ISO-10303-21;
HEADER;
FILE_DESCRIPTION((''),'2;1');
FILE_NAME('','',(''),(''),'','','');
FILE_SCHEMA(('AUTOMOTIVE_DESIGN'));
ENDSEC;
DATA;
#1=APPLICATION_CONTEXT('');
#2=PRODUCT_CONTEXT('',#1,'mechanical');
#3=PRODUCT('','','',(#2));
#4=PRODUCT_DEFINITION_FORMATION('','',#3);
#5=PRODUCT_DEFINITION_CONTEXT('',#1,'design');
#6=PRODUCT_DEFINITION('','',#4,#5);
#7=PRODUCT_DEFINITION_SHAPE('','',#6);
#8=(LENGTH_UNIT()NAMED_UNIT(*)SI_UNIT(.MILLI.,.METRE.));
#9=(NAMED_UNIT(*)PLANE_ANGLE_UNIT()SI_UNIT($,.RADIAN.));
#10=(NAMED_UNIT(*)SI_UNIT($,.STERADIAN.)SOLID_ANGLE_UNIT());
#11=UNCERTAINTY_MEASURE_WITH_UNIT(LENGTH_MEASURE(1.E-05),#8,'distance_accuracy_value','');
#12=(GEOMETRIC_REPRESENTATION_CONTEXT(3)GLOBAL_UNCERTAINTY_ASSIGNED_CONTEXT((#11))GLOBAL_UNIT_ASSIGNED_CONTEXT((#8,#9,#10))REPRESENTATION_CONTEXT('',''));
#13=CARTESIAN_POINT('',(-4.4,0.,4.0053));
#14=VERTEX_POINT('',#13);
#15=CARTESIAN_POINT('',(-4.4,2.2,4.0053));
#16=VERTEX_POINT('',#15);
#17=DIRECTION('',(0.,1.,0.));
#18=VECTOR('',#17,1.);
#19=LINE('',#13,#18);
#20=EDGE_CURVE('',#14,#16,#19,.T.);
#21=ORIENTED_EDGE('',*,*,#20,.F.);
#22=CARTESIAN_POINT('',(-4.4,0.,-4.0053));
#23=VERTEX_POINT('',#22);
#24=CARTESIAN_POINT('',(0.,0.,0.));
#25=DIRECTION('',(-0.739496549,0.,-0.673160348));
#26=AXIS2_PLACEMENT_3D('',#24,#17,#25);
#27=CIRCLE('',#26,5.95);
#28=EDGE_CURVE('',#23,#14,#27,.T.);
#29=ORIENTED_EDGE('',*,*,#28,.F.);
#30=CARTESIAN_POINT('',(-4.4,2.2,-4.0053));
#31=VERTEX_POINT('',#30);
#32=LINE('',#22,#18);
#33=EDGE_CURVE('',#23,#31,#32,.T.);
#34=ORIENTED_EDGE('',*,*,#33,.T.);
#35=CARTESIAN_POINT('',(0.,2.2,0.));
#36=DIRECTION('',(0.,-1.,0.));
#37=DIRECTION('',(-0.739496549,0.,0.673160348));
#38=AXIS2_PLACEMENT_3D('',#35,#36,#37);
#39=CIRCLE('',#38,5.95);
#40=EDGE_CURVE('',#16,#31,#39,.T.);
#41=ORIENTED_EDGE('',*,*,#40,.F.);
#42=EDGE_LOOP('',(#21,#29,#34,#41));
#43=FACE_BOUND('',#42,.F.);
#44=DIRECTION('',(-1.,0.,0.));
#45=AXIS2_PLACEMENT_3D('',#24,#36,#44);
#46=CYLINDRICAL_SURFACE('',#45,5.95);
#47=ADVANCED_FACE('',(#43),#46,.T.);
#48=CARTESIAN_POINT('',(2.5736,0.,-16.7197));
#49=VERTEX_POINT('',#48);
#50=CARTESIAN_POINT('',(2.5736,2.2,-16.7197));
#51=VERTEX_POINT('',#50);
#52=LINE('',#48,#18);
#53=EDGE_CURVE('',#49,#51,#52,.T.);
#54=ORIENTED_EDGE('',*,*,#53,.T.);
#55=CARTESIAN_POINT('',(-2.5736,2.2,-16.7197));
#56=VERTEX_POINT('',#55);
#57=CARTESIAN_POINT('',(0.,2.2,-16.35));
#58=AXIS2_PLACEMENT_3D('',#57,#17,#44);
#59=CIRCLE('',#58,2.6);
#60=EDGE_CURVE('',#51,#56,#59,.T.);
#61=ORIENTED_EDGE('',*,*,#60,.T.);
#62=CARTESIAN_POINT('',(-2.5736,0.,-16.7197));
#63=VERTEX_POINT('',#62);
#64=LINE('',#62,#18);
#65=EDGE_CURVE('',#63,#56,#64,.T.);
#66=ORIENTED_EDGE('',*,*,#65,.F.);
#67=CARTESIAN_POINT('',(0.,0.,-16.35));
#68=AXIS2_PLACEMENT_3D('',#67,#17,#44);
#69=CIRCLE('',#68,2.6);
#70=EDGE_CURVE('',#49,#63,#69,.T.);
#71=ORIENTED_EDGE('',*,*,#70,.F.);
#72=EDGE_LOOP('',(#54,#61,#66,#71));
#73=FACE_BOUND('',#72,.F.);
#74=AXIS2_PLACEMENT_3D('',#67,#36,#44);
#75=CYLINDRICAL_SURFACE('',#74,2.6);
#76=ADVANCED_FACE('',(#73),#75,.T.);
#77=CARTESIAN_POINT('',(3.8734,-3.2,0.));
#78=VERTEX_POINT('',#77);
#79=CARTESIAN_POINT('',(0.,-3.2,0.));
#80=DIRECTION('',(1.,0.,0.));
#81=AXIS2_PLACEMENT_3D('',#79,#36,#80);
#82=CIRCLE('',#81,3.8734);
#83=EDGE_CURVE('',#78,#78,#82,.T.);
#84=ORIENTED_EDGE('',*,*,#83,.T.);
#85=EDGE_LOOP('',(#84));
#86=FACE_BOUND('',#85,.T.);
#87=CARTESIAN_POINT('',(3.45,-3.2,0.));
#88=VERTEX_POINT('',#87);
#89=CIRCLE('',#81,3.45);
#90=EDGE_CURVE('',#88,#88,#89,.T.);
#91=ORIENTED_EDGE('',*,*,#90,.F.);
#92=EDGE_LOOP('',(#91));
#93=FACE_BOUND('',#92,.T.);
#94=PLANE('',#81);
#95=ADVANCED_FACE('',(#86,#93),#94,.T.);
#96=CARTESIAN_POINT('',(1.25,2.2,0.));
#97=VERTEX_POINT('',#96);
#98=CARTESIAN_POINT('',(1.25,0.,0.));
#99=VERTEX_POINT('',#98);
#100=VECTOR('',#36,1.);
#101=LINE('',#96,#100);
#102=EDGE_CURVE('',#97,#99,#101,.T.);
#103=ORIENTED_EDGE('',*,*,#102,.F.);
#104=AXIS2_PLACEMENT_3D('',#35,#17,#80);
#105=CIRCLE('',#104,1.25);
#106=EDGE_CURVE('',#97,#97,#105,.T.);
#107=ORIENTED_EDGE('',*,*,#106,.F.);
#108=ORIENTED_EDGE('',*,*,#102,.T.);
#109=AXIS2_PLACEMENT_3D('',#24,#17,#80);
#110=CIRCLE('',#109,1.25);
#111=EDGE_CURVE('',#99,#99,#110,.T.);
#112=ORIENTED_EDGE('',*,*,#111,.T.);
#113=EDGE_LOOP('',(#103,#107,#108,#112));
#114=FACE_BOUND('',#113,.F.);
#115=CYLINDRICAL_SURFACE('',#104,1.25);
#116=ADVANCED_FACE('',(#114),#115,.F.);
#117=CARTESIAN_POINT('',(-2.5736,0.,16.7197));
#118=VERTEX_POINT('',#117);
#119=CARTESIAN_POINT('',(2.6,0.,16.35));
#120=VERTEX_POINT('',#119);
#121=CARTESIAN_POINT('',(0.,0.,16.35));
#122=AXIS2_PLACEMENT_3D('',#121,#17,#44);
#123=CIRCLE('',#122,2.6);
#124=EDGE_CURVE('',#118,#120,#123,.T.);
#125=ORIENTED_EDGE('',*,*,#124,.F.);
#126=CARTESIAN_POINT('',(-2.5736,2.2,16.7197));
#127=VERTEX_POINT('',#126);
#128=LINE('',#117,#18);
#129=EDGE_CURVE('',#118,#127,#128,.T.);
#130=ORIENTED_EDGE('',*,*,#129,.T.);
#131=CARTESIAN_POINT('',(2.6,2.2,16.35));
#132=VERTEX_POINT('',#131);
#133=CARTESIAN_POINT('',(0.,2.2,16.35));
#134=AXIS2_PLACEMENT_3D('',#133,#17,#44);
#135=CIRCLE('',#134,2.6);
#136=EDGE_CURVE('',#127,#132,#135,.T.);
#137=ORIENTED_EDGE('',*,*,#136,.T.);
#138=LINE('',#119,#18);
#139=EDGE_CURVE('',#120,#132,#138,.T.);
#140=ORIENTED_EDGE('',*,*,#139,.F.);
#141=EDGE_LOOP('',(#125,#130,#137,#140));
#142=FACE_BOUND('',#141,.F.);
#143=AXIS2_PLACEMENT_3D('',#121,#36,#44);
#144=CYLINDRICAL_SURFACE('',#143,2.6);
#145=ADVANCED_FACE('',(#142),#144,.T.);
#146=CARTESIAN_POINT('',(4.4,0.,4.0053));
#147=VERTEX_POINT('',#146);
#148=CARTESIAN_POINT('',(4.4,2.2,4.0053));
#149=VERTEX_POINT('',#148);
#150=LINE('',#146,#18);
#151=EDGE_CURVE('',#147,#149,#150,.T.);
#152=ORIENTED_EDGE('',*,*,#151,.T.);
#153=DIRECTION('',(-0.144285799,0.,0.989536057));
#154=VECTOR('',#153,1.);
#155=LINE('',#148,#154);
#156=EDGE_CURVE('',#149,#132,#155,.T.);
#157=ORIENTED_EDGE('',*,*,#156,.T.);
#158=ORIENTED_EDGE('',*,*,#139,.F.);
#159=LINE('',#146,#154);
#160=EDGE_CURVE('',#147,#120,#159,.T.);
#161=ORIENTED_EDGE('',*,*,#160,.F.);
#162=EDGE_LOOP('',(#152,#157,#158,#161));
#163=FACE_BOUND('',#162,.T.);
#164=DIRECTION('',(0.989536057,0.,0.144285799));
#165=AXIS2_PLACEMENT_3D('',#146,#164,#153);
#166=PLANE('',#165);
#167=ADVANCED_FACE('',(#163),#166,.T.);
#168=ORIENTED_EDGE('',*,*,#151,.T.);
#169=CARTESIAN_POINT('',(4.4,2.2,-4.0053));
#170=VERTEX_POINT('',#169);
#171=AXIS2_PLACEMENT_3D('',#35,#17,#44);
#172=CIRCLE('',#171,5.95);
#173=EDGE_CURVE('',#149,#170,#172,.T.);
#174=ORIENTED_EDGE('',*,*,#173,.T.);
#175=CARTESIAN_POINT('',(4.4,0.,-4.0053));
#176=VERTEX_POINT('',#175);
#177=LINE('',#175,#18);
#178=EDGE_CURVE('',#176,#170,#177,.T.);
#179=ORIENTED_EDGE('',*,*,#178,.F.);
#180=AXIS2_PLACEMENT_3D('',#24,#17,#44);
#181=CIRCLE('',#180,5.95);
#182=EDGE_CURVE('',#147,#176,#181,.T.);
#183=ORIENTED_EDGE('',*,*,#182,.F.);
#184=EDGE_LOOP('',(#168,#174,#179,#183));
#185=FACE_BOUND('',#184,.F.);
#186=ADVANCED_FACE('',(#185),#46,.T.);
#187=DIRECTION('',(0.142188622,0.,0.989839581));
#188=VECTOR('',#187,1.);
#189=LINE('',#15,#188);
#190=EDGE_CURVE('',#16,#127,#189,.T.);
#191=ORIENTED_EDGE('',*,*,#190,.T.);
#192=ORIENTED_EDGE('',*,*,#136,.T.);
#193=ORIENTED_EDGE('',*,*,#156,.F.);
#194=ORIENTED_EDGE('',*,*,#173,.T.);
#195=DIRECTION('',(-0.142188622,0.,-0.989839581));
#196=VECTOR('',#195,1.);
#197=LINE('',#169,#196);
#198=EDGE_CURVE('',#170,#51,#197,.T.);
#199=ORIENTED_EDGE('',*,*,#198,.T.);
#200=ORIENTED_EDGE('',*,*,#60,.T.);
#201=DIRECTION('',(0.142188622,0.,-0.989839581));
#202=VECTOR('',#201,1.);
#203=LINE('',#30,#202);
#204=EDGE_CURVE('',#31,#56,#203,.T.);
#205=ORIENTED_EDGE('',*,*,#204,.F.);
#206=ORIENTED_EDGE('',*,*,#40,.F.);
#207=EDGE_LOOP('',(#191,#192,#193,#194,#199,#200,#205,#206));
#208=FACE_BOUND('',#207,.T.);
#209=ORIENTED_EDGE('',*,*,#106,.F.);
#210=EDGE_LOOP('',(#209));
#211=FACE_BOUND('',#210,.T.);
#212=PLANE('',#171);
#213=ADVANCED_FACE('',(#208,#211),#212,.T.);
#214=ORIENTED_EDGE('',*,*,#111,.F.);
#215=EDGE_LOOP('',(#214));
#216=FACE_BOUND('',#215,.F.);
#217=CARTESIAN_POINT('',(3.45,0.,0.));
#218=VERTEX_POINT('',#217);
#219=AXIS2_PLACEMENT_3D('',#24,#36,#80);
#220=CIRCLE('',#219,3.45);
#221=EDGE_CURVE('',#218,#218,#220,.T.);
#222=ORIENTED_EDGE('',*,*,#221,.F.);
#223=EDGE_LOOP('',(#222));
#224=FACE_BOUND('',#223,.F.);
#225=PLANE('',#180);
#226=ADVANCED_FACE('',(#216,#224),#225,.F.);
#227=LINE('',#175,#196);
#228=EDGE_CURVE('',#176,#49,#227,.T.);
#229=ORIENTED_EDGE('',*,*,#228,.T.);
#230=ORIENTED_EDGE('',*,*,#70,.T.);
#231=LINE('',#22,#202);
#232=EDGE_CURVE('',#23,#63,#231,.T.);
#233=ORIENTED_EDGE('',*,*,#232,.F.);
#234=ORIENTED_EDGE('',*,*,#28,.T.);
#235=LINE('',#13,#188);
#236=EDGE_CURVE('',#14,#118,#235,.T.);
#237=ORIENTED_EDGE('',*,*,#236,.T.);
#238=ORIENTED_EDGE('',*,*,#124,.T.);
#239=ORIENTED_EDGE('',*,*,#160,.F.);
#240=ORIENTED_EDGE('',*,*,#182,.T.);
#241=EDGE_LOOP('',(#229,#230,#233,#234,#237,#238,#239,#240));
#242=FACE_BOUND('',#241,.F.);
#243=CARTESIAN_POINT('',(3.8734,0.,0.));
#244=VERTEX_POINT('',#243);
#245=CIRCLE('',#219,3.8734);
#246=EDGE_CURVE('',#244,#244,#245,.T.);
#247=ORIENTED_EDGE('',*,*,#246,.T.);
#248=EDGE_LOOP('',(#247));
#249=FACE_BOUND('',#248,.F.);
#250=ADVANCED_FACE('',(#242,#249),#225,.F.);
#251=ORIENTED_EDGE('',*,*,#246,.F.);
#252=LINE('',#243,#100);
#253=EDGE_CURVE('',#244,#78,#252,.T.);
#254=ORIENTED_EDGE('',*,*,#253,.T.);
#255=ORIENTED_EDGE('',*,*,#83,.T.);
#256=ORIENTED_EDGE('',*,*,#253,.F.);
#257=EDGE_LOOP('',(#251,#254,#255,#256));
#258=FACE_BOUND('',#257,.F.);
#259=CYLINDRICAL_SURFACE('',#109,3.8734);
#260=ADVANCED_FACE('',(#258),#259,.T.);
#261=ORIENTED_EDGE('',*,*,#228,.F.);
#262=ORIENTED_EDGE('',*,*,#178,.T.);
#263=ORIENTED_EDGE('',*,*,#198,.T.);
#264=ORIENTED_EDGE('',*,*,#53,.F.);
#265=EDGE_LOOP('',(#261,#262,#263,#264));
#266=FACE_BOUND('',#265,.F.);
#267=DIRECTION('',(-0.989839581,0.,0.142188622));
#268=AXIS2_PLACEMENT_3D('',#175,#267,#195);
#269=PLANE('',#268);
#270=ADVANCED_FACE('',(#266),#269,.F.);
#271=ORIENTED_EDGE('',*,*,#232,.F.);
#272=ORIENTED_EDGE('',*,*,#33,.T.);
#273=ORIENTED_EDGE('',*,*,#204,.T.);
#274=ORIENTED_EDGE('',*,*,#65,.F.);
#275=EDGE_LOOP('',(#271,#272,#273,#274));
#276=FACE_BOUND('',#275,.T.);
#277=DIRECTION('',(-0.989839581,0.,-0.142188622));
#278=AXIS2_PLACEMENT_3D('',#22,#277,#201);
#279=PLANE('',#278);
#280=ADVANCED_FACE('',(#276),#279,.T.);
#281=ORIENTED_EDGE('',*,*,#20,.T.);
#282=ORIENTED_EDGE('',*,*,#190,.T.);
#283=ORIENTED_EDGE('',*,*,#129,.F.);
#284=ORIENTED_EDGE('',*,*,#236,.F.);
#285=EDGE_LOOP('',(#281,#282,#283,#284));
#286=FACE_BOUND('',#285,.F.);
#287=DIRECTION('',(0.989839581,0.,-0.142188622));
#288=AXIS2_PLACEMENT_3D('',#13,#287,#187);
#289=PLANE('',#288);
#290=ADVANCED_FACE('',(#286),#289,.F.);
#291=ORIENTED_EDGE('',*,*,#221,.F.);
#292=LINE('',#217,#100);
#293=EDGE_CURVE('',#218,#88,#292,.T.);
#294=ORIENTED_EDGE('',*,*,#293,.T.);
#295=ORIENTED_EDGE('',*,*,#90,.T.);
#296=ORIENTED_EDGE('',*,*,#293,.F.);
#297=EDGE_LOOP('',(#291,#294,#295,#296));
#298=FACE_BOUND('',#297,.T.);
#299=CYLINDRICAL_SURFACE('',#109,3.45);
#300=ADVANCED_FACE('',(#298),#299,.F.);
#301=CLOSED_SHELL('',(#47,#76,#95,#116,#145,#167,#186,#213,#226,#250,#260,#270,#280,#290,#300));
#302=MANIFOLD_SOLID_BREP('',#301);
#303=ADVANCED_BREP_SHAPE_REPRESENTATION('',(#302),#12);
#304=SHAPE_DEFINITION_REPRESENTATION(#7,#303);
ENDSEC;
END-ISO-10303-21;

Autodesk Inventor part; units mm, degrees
ref_plane "YZ Plane" through (0, 0, 0) normal (1, 0, 0) x (0, 1, 0)
ref_plane "XZ Plane" through (0, 0, 0) normal (0, 1, 0) x (-1, 0, 0)
ref_plane "XY Plane" through (0, 0, 0) normal (0, 0, 1) x (1, 0, 0)
sketch "Sketch1" plane through (0, 0, 0) normal (0, 1, 0) x (-1, 0, 0)
  circle A0 centre (0, 0) radius 5.95
  circle A1 centre (0, -16.35) radius 2.6
  line L0 (4.4, -4.0053) -> (2.5736, -16.7197)
  circle A2 centre (0, 16.35) radius 2.6
  line L1 (4.4, 4.0053) -> (2.5736, 16.7197)
  line L2 (-4.4, 4.0053) -> (-2.6, 16.35)
  line L3 (-4.4, -4.0053) -> (-2.5736, -16.7197)
  dimension "d0" = 11.9
  dimension "d1" = 5.2
  dimension "d2" = 4.4
  dimension "d3" = 5.2
  dimension "d4" = 16.35
  dimension "d5" = 16.35
  dimension "d6" = 4.4
  dimension "d7" = 4.4
  dimension "d8" = 4.4
  dimension "d9" = 0
extrude "Extrusion1" add sketch "Sketch1" along normal blind 2.2
sketch "Sketch2" plane through (0, 0, 0) normal (0, -1, 0) x (1, 0, 0)
  circle A0 centre (0, 0) radius 3.8734
  circle A1 centre (0, 0) radius 3.45
  dimension "d12" = 6.9
extrude "Extrusion2" add sketch "Sketch2" along normal blind 3.2
sketch "Sketch3" plane through (0, 2.2, 0) normal (0, 1, 0) x (1, 0, 0)
  circle A0 centre (0, 0) radius 1.25
  dimension "d15" = 2.5
extrude "Extrusion3" cut sketch "Sketch3" against normal blind 2.2
properties part number "servo_attach"
